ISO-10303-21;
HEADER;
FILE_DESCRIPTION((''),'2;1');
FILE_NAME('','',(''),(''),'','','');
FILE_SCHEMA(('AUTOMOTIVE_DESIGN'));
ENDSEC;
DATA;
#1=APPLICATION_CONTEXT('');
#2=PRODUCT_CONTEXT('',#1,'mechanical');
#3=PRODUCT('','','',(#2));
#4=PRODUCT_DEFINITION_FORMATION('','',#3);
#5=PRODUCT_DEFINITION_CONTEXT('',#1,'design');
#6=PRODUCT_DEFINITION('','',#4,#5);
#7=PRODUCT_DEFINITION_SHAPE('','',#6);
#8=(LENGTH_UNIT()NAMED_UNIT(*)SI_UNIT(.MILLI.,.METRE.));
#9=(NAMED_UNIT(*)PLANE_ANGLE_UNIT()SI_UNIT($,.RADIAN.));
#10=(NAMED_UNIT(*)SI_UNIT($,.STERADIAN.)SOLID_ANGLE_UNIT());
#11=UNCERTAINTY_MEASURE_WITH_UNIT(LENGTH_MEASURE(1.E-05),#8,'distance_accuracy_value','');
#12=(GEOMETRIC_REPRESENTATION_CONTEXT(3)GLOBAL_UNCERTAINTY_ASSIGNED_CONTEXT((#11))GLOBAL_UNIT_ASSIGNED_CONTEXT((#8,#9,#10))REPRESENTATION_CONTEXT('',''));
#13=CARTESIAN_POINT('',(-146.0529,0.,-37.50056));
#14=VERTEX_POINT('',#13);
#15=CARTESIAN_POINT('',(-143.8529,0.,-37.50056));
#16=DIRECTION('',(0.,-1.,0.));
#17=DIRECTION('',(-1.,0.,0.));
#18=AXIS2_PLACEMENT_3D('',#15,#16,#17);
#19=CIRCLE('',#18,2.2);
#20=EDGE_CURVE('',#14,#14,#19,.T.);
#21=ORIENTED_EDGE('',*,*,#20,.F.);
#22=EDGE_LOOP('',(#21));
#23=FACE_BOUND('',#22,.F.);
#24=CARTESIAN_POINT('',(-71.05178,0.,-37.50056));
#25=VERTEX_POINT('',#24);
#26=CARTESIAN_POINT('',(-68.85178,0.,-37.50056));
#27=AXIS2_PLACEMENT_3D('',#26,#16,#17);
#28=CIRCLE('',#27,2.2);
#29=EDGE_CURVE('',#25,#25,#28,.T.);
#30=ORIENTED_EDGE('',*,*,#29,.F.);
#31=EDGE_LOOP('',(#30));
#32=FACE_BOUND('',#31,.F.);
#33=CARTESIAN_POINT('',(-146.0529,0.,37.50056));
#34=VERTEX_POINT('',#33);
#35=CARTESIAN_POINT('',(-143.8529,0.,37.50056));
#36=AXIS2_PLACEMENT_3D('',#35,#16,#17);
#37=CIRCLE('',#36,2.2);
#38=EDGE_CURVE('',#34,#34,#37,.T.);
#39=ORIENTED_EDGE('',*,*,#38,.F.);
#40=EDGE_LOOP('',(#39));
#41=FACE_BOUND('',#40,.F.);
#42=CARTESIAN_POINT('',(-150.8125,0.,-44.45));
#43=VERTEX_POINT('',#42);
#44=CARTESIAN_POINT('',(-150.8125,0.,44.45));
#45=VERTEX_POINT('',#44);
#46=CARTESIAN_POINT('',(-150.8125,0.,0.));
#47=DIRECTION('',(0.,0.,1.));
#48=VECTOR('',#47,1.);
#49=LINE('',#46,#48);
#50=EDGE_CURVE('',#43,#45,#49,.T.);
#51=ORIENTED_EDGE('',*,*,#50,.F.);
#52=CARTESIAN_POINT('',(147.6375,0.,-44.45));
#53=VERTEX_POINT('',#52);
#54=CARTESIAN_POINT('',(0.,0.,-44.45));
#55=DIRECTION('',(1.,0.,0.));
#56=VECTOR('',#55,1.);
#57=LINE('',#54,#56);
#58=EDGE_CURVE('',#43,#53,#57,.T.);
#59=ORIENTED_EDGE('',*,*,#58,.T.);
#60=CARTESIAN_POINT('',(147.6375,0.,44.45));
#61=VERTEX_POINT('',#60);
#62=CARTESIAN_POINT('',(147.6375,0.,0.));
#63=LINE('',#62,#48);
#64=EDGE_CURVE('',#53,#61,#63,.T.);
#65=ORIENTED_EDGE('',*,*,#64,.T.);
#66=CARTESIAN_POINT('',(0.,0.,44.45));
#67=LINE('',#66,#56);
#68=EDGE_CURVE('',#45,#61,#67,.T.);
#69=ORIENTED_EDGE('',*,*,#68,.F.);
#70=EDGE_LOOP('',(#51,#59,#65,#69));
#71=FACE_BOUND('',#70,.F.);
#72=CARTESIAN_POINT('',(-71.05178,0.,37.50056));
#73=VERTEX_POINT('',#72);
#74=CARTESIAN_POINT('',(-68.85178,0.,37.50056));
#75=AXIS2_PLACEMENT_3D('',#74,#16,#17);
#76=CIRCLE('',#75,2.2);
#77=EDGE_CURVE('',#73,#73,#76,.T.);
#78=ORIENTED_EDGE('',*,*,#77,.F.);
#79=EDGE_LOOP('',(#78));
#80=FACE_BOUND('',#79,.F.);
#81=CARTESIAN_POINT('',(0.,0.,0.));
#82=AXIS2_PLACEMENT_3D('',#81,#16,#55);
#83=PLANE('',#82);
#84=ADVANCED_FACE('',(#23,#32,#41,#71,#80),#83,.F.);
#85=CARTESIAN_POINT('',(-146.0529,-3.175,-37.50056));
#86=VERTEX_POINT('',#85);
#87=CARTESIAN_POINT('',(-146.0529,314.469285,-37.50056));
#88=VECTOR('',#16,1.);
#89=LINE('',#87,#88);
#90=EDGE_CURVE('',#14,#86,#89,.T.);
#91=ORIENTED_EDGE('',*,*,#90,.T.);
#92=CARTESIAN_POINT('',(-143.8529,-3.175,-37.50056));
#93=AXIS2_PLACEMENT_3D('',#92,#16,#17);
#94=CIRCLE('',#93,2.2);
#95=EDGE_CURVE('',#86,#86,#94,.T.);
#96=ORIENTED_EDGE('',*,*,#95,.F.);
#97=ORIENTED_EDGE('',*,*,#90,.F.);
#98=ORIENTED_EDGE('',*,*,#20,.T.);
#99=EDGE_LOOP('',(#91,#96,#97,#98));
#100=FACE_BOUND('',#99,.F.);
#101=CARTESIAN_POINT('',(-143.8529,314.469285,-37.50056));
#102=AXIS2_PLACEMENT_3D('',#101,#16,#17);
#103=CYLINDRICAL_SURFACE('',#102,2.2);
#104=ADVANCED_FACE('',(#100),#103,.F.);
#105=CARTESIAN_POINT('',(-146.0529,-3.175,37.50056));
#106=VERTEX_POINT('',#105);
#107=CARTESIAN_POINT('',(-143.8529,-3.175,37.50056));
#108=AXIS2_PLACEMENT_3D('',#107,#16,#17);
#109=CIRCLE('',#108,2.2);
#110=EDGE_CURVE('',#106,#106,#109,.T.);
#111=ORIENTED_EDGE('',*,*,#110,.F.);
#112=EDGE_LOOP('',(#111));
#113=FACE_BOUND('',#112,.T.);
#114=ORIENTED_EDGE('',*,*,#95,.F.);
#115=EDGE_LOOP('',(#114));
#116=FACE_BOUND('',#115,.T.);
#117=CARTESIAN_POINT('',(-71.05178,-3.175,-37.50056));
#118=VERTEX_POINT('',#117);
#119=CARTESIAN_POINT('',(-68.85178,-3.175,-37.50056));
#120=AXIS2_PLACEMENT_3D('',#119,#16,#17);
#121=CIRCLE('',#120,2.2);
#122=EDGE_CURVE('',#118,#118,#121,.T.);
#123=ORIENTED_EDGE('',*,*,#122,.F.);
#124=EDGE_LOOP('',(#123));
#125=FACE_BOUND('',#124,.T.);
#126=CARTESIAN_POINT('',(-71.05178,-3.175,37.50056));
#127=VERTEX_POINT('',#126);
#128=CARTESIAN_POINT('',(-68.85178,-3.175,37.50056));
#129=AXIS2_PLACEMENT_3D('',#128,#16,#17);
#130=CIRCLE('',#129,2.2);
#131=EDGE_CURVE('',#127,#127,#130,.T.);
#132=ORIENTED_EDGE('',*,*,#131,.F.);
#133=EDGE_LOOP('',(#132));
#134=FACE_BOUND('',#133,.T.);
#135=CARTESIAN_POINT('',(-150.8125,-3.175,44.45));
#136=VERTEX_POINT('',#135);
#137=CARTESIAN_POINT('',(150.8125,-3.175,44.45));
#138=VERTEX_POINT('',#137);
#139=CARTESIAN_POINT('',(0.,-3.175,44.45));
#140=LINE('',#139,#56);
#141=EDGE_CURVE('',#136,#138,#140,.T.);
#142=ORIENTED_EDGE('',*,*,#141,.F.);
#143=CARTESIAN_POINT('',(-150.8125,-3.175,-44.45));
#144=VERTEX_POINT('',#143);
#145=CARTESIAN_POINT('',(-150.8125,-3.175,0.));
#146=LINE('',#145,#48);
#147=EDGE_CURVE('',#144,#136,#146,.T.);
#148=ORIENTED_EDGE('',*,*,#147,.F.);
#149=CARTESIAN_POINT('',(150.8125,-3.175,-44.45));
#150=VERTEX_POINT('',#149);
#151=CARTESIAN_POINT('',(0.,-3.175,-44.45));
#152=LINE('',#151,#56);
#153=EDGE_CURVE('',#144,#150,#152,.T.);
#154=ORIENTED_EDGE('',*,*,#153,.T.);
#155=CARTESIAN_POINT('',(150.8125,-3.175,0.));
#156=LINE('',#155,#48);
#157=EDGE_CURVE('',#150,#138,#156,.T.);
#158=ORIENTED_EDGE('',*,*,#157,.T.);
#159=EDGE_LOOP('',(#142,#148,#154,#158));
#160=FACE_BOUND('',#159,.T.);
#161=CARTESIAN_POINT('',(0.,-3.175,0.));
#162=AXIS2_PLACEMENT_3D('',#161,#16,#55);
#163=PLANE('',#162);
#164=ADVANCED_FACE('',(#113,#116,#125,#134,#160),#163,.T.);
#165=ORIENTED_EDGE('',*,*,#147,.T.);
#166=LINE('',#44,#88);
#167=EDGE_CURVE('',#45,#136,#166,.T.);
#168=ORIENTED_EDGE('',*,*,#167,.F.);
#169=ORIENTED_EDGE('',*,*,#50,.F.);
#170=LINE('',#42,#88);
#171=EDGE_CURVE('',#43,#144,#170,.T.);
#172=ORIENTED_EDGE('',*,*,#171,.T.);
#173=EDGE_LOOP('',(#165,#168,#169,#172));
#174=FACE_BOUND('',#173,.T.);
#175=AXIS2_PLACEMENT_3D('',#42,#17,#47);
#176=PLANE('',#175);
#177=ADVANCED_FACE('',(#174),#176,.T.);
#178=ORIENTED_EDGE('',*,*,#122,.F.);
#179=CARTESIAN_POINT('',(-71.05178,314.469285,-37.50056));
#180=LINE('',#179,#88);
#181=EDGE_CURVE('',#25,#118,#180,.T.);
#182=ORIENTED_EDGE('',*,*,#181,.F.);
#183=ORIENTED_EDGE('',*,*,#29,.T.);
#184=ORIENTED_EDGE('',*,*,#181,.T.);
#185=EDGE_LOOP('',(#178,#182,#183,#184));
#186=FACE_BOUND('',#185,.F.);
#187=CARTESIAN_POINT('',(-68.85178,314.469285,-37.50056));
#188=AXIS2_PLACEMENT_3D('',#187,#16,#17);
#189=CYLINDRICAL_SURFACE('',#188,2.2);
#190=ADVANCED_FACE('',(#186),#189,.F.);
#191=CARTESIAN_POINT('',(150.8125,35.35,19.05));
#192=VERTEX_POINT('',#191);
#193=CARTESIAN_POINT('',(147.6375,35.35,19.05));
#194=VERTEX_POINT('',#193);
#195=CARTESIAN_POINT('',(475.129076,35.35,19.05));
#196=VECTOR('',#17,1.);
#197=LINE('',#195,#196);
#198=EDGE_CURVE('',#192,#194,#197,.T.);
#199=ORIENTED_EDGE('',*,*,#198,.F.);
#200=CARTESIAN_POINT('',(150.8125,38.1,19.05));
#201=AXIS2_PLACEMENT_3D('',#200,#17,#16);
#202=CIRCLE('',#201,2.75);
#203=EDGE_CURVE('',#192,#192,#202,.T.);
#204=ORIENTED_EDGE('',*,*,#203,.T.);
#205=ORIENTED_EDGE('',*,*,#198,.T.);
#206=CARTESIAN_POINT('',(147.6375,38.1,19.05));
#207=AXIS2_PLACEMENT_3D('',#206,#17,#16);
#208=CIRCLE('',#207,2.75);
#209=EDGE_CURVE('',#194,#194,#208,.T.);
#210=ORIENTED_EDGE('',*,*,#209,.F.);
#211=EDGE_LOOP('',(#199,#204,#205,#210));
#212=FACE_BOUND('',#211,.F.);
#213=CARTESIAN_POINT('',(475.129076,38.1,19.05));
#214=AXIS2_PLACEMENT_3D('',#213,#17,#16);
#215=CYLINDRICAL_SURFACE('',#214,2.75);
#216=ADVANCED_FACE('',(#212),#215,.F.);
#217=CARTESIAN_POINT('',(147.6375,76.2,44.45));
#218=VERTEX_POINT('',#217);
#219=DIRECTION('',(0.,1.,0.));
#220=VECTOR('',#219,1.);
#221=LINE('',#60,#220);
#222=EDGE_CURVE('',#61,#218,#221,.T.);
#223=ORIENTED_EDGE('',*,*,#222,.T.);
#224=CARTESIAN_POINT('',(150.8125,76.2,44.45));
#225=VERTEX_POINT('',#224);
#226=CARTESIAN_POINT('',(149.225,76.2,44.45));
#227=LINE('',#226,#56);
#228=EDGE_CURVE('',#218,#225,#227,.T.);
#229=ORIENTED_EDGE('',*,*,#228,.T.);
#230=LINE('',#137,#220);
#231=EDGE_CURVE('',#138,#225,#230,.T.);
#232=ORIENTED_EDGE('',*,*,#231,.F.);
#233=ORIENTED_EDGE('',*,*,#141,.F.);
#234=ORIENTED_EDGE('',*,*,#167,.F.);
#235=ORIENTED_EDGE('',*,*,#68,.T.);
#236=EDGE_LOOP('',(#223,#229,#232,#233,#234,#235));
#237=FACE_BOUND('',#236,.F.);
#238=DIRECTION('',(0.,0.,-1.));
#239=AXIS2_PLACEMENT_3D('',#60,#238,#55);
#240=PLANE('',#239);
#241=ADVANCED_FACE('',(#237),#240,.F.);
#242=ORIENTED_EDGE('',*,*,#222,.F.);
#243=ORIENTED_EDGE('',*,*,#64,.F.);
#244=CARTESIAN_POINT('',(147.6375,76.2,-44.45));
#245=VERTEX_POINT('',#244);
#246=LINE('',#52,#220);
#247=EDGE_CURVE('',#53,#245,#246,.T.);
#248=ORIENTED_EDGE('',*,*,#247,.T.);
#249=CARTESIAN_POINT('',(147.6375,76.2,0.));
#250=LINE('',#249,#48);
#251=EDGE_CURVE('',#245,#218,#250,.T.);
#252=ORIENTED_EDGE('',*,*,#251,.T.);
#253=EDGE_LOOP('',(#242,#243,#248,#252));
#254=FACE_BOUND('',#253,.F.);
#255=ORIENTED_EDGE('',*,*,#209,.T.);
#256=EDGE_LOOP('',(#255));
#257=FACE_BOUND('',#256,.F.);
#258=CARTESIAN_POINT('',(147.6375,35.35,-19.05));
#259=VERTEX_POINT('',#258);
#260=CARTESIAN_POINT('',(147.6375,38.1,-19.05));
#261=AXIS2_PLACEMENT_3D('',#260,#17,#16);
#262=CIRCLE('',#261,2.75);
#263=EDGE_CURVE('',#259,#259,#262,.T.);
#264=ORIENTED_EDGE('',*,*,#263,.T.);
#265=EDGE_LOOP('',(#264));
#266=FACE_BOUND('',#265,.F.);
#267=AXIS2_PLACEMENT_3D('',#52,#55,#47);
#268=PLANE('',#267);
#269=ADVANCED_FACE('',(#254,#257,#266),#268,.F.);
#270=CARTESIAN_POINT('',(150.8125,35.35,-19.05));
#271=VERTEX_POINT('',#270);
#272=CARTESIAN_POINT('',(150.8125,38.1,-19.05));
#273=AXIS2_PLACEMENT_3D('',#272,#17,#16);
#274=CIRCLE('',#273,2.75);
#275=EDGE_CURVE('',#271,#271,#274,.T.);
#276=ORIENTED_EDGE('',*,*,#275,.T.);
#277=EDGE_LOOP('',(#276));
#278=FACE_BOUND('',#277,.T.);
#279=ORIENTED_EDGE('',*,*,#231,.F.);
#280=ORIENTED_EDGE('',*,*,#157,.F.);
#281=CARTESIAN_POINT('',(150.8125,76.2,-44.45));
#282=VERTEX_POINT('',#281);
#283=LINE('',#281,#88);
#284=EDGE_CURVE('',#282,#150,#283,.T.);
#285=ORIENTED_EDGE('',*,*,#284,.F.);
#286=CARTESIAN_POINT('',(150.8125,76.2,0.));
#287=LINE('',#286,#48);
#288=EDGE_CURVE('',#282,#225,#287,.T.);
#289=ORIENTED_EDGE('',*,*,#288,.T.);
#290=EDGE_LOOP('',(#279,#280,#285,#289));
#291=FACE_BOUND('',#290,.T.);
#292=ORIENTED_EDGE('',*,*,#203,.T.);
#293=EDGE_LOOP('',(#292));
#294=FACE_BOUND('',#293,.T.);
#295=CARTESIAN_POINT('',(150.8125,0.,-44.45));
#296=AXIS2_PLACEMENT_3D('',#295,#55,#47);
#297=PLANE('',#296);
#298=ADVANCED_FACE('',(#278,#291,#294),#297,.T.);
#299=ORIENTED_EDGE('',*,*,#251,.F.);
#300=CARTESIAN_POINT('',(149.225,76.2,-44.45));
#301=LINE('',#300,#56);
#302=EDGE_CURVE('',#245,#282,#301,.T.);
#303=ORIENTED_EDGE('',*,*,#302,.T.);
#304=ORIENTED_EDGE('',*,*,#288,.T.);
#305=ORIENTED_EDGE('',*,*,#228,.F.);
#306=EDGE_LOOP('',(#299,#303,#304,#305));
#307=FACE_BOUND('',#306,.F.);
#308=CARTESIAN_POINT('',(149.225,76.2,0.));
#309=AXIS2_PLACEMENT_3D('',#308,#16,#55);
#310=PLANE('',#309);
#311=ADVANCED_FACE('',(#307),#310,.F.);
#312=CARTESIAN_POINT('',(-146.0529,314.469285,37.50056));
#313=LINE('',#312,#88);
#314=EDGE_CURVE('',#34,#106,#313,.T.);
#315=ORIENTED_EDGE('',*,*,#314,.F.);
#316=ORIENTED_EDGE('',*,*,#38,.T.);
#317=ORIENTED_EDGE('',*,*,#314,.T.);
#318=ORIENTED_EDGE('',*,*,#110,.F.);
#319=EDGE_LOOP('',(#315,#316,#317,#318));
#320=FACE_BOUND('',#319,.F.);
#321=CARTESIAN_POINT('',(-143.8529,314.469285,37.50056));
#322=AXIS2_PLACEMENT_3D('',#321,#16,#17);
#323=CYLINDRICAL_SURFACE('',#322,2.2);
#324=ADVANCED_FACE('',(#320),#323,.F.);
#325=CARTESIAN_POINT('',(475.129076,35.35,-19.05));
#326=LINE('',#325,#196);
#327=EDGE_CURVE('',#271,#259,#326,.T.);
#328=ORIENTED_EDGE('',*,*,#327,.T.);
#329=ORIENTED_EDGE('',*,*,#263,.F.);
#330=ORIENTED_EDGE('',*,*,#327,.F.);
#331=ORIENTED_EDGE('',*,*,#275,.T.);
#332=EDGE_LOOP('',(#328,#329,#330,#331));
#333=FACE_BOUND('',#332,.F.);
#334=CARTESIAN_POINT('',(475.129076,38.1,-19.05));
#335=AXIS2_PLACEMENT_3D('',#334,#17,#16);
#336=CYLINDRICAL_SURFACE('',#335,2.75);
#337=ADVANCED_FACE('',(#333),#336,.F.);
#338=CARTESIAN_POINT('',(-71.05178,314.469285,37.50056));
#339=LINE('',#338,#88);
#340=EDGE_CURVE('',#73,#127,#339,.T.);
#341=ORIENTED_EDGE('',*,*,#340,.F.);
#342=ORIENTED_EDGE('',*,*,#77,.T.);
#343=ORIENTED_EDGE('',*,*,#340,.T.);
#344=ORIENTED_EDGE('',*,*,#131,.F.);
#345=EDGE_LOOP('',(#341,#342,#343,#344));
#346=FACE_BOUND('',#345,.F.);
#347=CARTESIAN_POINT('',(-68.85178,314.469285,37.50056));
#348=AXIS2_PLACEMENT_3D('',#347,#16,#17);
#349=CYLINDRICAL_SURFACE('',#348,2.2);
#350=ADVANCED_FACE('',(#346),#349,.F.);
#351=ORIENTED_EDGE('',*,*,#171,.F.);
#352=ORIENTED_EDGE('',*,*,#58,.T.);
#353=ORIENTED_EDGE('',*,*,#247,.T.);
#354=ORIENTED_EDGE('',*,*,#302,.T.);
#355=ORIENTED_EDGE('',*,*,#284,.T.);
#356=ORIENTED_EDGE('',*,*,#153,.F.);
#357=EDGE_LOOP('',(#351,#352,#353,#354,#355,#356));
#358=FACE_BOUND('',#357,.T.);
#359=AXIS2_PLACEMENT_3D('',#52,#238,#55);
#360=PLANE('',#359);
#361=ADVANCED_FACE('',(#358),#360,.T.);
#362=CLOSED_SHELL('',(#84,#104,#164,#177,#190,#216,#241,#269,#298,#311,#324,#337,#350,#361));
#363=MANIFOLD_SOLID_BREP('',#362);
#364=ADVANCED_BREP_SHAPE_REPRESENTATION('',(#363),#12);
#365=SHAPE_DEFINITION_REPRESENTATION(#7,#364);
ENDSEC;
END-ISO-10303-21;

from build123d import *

# Parameters (mm, degrees)
F0_W     = 301.625
F0_H     = 88.9
F0_W_2   = 75.00112
F0_H_2   = 75.00112
F1_DEPTH = 3.175
F2_D     = 4.4
F3_W     = 3.175
F3_H     = 88.9
F4_DEPTH = 76.2
F6_D     = 5.5


with BuildPart() as f1:
    # F0 (on Front) → F1 (new body)
    with BuildSketch(Plane.XZ):
        Rectangle(F0_W, F0_H)
        with Locations((-106.35234, 0)):
            Rectangle(F0_W_2, F0_H_2, mode=Mode.SUBTRACT)
        with Locations((-106.35234, 0)):
            Rectangle(F0_W_2, F0_H_2)
    extrude(amount=F1_DEPTH)

    # F2 (through all)
    with Locations(Plane(origin=(0, 0, 0), x_dir=(1, 0, 0), z_dir=(0, 1, 0))):
        with Locations((-143.8529, -37.50056), (-68.85178, -37.50056), (-68.85178, 37.50056), (-143.8529, 37.50056)):
            Hole(F2_D / 2)

    # F3 (on face) → F4 (join)
    with BuildSketch(Plane.XZ):
        with Locations((149.225, 0)):
            Rectangle(F3_W, F3_H)
    extrude(amount=-F4_DEPTH)

    # F6 (through all)
    with Locations(Plane.YZ.offset(150.8125)):
        with Locations((38.1, 19.05), (38.1, -19.05)):
            Hole(F6_D / 2)


solid = f1.part
